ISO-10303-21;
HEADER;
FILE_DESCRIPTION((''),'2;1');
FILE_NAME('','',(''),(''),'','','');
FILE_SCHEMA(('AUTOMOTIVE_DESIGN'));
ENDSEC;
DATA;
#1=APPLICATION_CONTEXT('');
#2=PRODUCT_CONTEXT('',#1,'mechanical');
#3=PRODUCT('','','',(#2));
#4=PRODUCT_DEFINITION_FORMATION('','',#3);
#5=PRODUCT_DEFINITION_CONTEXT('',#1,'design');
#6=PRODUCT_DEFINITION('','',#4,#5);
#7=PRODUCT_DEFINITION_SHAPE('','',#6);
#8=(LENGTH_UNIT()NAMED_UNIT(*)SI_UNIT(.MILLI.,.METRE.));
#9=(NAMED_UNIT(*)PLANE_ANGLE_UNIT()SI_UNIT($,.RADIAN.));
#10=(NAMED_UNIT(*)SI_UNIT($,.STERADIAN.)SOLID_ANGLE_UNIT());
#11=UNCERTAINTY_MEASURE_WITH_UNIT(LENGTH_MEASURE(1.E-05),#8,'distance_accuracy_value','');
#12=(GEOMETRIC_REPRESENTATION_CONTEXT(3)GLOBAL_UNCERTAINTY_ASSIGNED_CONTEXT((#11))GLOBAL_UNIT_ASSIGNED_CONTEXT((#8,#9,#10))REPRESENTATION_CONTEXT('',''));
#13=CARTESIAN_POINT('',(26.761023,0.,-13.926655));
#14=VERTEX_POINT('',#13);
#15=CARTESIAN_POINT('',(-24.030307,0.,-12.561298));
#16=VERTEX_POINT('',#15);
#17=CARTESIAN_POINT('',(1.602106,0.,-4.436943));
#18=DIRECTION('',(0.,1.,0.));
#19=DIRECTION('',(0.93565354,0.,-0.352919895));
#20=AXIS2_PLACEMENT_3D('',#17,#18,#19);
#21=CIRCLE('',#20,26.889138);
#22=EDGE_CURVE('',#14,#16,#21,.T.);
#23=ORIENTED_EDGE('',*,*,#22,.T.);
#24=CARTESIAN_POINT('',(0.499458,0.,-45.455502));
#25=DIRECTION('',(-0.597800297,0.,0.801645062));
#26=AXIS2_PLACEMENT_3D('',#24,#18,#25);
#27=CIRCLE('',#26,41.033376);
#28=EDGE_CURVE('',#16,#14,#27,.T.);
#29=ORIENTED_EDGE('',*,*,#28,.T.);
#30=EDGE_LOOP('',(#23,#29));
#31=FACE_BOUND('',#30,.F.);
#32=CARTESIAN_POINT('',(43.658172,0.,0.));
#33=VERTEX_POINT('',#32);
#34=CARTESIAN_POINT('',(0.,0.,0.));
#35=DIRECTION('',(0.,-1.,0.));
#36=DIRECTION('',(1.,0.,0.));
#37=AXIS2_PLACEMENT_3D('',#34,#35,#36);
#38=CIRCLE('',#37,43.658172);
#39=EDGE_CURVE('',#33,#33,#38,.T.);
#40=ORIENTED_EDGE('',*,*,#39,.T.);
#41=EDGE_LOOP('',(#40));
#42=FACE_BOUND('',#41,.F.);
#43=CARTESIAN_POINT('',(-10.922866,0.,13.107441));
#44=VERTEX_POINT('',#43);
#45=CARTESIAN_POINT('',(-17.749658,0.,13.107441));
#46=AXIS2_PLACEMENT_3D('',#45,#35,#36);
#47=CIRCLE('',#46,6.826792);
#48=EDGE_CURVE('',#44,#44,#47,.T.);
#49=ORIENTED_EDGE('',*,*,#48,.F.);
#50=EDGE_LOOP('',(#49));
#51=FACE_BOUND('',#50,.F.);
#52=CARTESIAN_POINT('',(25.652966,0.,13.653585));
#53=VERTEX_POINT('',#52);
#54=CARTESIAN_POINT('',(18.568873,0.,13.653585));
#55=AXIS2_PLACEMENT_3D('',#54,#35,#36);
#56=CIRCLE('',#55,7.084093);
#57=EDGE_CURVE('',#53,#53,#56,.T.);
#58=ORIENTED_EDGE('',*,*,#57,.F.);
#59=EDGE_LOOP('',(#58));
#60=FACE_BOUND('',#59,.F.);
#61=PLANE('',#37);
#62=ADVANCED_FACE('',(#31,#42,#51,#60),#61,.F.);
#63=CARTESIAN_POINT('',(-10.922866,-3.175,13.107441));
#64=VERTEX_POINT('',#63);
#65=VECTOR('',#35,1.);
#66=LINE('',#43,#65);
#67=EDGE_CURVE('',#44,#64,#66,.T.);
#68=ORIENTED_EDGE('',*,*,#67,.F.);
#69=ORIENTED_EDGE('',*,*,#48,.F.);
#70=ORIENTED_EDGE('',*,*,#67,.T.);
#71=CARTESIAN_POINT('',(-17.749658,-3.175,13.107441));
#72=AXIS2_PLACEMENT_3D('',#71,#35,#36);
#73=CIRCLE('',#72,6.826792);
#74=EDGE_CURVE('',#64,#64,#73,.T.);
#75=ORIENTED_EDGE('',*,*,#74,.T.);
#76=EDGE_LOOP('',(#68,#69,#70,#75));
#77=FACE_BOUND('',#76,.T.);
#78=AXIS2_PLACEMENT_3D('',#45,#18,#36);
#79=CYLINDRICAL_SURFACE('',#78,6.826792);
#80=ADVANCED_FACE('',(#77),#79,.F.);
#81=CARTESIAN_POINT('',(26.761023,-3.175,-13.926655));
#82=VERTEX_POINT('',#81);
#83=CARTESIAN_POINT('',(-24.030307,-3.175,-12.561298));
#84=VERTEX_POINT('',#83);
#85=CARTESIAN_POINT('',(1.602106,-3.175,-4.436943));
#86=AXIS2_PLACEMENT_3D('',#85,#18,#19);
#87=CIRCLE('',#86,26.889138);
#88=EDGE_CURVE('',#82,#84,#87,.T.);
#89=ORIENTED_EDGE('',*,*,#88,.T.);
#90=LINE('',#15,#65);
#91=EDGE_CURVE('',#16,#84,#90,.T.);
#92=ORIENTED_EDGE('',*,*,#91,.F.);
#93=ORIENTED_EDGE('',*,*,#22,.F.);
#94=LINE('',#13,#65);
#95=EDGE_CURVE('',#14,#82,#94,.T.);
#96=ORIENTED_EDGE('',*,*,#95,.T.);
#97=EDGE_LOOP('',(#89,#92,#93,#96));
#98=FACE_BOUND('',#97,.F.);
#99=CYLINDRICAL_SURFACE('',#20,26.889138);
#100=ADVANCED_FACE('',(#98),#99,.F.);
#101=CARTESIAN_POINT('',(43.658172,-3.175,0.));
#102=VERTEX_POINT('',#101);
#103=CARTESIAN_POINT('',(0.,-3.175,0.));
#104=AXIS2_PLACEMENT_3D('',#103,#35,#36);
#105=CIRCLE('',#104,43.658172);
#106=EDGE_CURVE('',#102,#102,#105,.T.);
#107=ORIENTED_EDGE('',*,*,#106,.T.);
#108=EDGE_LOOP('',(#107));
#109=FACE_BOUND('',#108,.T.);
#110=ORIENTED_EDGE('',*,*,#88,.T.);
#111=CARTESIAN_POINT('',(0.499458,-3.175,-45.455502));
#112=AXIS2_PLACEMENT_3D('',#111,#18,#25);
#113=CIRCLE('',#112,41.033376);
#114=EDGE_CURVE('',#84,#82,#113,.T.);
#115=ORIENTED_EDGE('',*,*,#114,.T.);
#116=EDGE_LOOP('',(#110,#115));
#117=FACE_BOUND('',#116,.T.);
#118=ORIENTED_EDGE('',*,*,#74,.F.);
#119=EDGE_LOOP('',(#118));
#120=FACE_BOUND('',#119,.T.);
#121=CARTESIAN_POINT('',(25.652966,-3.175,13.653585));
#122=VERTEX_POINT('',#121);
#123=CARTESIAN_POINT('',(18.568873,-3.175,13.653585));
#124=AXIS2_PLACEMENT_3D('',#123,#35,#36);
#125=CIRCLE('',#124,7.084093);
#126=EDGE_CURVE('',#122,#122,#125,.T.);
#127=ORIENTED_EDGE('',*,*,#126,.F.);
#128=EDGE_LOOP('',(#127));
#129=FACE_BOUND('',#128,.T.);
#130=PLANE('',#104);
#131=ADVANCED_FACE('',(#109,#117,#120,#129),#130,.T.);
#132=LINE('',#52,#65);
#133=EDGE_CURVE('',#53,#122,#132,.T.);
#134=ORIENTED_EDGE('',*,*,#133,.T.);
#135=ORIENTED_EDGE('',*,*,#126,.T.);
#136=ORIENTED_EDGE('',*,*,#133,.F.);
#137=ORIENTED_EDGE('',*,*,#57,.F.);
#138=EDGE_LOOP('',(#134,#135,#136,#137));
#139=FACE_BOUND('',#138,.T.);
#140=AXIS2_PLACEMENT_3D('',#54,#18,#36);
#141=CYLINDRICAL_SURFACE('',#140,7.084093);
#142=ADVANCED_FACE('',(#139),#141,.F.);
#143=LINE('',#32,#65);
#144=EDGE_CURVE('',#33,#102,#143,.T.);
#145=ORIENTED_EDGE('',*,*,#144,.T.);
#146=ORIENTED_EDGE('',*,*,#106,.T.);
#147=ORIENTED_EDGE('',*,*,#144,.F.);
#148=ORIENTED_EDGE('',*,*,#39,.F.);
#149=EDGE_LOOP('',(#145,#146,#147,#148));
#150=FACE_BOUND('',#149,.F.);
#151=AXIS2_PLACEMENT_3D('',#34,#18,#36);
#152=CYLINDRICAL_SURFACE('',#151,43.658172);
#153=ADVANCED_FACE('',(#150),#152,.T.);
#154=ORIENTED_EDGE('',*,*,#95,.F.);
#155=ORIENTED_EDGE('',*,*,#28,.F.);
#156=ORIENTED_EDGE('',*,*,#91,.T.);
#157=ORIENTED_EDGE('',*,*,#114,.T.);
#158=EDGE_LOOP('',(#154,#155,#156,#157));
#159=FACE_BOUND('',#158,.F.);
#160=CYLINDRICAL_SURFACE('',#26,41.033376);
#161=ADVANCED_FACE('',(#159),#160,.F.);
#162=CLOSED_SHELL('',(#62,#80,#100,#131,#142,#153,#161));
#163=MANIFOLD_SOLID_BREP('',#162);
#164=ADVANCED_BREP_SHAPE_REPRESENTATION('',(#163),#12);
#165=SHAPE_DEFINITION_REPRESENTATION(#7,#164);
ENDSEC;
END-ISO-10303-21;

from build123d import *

# Parameters (mm, degrees)
F0_R     = 43.658172
F0_R_2   = 6.826792
F0_R_3   = 7.084093
F1_DEPTH = 3.175


with BuildPart() as f1:
    # F0 (on Front) → F1 (new body)
    with BuildSketch(Plane.XZ):
        Circle(F0_R)
        with BuildLine():
            ThreePointArc((26.761023, -13.926655), (0.879541, -31.316371), (-24.030307, -12.561298))
            ThreePointArc((-24.030307, -12.561298), (1.602106, -4.436943), (26.761023, -13.926655))
        make_face(mode=Mode.SUBTRACT)
        with Locations((-17.749658, 13.107441)):
            Circle(F0_R_2, mode=Mode.SUBTRACT)
        with Locations((18.568873, 13.653585)):
            Circle(F0_R_3, mode=Mode.SUBTRACT)
    extrude(amount=F1_DEPTH)


solid = f1.part
